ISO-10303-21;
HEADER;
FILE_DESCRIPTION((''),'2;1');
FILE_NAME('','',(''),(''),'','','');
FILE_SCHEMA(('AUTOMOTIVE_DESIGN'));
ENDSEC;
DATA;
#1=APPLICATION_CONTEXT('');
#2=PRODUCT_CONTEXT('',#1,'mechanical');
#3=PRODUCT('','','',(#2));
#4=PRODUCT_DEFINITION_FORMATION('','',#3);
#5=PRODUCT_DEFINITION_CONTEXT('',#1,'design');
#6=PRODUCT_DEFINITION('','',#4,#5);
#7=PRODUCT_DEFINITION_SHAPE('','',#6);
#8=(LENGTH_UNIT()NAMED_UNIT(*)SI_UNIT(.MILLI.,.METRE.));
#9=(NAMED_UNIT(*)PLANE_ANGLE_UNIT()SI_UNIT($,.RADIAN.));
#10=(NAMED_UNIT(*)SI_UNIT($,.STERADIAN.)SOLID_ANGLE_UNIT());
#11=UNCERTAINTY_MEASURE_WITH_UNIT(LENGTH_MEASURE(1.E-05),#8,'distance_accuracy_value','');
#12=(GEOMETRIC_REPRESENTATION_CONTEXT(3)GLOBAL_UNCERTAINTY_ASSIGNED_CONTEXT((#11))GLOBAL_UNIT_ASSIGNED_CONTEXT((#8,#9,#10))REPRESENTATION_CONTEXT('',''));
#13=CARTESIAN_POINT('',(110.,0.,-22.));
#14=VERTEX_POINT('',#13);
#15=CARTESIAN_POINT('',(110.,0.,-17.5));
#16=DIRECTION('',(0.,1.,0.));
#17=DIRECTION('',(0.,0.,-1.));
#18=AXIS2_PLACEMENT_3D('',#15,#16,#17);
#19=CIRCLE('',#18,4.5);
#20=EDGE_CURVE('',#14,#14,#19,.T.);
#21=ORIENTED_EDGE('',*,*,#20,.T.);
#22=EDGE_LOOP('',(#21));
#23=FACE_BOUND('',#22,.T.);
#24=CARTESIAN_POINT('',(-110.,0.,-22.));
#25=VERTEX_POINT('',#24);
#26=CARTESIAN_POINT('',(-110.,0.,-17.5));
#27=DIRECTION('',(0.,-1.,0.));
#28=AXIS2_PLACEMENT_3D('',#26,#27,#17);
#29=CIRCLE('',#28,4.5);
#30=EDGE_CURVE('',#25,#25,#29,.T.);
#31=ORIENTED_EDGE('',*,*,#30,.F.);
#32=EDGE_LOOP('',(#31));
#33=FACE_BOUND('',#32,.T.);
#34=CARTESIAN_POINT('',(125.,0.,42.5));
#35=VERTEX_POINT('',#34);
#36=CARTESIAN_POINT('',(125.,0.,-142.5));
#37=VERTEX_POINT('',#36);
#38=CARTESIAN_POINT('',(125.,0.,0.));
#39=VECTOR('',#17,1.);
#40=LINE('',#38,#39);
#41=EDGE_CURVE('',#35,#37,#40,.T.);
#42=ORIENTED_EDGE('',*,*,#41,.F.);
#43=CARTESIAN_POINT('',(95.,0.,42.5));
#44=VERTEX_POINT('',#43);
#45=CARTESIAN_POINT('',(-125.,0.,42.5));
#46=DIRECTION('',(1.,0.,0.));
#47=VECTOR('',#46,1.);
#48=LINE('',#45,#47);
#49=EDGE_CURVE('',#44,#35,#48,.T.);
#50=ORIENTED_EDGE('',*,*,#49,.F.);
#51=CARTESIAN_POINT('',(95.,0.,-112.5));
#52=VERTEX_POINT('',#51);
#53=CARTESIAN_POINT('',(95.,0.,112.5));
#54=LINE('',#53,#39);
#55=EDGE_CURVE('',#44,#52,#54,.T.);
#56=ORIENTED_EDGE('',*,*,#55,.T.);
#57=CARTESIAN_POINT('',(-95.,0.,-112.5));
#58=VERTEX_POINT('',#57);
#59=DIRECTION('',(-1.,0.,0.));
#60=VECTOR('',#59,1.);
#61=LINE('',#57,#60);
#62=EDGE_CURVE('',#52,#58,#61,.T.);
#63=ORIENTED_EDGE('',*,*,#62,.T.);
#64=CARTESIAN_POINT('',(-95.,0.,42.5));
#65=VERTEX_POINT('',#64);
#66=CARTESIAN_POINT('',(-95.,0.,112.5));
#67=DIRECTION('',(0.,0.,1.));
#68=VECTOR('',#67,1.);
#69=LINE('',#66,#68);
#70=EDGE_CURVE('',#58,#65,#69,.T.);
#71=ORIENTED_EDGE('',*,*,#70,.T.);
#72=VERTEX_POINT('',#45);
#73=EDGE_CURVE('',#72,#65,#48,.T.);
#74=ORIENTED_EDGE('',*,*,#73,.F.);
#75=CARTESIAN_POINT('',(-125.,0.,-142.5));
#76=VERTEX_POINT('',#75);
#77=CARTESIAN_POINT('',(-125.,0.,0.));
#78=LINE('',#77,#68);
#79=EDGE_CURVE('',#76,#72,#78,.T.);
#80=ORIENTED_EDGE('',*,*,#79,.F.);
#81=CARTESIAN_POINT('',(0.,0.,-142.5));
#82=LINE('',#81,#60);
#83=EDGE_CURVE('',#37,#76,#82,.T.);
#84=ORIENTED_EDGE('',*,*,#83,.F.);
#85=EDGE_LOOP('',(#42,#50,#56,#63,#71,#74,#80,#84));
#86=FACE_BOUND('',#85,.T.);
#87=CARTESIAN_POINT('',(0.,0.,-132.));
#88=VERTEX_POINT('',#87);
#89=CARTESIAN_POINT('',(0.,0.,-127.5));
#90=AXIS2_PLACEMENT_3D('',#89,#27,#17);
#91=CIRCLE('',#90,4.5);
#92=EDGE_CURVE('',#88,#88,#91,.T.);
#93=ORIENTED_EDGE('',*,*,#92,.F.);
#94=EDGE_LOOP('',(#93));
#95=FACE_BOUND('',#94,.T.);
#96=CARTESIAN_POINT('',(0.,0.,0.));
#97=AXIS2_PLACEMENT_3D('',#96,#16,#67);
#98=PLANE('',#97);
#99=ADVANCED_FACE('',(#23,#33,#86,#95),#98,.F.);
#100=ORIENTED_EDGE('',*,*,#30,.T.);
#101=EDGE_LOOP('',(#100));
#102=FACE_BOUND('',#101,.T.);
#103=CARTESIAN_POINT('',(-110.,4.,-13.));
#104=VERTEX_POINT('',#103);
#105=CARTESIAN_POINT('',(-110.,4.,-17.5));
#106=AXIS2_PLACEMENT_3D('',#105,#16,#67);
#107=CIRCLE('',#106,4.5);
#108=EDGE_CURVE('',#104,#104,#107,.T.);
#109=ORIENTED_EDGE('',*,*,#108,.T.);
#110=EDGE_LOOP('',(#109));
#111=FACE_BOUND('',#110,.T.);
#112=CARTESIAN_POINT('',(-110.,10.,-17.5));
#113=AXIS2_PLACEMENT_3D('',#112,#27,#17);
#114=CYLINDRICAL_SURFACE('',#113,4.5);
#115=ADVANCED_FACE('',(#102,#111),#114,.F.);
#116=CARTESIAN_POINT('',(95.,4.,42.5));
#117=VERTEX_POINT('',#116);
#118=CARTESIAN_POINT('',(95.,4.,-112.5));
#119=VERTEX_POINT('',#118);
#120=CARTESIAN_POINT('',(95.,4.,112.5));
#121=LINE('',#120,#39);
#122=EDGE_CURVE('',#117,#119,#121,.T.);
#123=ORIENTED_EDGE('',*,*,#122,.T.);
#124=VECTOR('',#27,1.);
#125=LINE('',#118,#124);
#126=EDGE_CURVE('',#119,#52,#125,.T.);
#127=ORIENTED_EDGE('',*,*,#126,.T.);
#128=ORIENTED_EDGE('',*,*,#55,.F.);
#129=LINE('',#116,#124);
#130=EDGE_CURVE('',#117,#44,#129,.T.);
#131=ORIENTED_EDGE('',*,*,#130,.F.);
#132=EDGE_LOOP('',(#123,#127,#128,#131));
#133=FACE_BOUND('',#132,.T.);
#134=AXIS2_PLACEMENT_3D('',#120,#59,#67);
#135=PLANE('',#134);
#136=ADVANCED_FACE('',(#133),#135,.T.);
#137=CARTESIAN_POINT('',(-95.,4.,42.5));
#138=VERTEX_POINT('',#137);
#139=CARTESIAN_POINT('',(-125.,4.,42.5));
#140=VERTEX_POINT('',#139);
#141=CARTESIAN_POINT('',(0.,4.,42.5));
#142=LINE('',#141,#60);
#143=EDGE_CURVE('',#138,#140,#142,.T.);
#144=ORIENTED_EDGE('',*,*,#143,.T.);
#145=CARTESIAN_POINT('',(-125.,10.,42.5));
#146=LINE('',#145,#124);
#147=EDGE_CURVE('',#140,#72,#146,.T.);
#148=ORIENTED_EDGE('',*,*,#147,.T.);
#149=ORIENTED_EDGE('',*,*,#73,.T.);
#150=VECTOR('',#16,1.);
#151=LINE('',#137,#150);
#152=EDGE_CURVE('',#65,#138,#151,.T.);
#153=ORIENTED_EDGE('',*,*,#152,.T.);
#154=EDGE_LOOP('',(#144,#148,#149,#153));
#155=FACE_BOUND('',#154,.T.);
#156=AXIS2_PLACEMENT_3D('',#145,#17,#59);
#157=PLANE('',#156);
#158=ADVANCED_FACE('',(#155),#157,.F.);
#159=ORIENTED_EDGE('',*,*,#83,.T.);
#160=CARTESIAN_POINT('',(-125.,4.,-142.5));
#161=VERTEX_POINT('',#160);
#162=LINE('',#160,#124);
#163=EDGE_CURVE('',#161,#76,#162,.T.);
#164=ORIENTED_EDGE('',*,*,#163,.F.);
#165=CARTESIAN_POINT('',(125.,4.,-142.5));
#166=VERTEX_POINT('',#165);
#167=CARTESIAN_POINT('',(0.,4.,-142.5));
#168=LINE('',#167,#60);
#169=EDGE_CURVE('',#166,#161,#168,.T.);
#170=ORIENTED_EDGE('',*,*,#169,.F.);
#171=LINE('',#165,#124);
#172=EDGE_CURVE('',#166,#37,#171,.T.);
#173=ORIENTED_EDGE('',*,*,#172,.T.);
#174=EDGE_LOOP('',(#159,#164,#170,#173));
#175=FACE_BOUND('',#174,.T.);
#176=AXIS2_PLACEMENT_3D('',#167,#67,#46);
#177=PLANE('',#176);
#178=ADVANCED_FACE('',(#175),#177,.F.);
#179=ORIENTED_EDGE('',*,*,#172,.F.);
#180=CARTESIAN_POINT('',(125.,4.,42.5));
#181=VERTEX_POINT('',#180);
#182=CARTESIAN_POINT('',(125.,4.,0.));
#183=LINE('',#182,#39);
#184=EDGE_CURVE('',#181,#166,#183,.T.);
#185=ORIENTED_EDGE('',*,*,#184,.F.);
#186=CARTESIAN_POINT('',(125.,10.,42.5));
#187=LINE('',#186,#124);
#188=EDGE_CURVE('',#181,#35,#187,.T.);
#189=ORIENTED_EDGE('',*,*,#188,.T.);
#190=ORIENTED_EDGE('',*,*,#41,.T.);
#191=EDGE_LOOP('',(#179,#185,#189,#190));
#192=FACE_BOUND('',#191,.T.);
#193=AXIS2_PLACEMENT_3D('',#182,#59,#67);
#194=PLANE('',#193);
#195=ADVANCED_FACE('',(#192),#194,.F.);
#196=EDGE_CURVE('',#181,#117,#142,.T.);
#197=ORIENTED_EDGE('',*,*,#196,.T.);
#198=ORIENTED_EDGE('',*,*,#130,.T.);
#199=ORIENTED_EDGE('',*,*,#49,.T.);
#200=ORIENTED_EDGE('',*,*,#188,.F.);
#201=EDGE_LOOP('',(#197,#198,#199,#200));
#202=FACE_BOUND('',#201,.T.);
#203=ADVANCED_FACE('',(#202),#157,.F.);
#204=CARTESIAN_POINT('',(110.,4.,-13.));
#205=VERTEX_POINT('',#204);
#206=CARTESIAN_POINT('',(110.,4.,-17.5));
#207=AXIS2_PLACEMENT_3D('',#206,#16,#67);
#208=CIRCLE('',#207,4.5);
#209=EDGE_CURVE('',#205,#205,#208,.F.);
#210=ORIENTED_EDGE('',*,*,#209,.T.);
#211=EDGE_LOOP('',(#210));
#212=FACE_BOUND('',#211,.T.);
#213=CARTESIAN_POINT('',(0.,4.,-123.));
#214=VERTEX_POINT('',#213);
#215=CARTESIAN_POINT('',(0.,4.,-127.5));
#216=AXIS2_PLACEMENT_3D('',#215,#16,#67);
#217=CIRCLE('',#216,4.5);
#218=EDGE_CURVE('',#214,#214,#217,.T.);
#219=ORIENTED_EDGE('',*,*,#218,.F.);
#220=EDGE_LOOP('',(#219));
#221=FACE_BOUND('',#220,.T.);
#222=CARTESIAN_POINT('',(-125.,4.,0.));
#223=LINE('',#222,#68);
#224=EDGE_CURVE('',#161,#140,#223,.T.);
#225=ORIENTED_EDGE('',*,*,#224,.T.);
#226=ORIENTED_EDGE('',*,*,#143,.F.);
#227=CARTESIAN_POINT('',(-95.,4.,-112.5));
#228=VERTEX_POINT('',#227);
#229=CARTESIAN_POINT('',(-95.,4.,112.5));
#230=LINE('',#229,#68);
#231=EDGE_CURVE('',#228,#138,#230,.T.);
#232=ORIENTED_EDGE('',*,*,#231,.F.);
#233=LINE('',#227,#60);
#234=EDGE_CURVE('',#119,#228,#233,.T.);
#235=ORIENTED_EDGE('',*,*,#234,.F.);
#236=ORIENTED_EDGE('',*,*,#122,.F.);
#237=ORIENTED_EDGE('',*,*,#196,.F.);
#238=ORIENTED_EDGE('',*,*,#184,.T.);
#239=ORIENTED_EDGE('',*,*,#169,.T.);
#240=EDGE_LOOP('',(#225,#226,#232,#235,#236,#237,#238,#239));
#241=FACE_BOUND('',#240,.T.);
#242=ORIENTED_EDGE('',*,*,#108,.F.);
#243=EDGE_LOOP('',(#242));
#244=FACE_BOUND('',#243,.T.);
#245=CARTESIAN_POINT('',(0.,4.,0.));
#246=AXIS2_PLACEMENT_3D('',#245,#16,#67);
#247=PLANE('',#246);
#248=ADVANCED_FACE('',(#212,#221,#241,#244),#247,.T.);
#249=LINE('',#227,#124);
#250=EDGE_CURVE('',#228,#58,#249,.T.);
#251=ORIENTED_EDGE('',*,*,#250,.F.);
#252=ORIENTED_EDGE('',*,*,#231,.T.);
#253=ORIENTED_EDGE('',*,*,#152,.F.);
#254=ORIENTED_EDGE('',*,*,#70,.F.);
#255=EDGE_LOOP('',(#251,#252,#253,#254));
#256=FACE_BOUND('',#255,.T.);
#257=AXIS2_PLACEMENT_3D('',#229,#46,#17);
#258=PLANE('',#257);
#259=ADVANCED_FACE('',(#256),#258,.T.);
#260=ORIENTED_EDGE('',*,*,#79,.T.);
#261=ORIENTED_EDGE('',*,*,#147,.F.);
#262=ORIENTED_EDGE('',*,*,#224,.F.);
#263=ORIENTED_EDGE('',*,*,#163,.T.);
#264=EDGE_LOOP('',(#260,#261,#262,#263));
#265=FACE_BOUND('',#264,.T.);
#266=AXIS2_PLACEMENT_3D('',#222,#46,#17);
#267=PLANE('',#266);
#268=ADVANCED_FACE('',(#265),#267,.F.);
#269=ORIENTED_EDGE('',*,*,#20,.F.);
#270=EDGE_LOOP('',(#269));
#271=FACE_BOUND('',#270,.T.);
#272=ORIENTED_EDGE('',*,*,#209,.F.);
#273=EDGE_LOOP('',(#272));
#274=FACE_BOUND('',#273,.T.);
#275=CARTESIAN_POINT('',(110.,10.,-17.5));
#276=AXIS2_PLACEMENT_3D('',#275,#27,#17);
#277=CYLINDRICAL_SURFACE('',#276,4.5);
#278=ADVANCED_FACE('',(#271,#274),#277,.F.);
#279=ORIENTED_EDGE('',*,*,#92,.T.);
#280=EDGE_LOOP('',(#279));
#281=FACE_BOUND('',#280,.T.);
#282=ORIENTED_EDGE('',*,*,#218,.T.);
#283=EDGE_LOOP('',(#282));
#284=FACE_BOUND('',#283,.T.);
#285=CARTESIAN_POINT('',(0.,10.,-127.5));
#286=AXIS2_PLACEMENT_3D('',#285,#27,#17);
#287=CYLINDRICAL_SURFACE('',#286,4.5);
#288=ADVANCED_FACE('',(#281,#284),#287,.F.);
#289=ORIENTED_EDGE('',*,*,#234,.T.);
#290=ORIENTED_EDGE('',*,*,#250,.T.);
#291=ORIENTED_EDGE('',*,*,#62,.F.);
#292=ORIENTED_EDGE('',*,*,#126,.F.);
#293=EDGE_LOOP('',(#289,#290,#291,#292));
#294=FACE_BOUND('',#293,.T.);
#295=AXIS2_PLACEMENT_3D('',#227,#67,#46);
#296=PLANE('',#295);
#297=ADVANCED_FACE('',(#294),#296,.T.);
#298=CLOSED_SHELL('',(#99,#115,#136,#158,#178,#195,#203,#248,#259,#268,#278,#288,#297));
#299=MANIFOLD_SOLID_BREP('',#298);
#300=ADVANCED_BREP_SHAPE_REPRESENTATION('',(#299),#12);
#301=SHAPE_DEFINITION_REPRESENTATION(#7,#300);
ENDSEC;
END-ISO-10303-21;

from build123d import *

# Parameters (mm, degrees)
SKETCH1_W            = 250
SKETCH1_H            = 285
SKETCH1_W_2          = 190
SKETCH1_H_2          = 225
EXTRUDE_THIN1_DEPTH  = 4
SKETCH2_W            = 250
SKETCH2_H            = 100
CUT_EXTRUDE1_DEPTH   = 10
SKETCH3_R            = 4.5
CUT_EXTRUDE2_DEPTH   = 10
LPATTERN1_COUNT      = 2
LPATTERN1_PITCH      = 144.5
LPATTERN1_COUNT_DIR2 = 2
LPATTERN1_PITCH_DIR2 = 144.5
SKETCH4_R            = 4.5
CUT_EXTRUDE3_DEPTH   = 10


with BuildPart() as part:
    # Sketch1 → Extrude-Thin1 (new body)
    with BuildSketch(Plane(origin=(0, 0, 0), x_dir=(1, 0, 0), z_dir=(0, 1, 0))):
        Rectangle(SKETCH1_W, SKETCH1_H)
        Rectangle(SKETCH1_W_2, SKETCH1_H_2, mode=Mode.SUBTRACT)
    extrude(amount=EXTRUDE_THIN1_DEPTH)

    # Sketch2 → Cut-Extrude1 (cut)
    with BuildSketch(Plane.XZ):
        with Locations((0, 92.5)):
            Rectangle(SKETCH2_W, SKETCH2_H)
    extrude(amount=-CUT_EXTRUDE1_DEPTH, mode=Mode.SUBTRACT)

    # Sketch3 → Cut-Extrude2 (cut)
    with BuildSketch(Plane.XZ):
        with Locations(Location((0, -127.5, 0), (0, 0, 270))):
            Circle(SKETCH3_R)
    cut_extrude2 = extrude(amount=-CUT_EXTRUDE2_DEPTH, mode=Mode.SUBTRACT)

    # LPattern1: Cut-Extrude2 2 × 2
    with Locations(*[Vector(-1, 0, 0) * (i * LPATTERN1_PITCH) + Vector(-1, 0, 0) * (j * LPATTERN1_PITCH_DIR2) for i in range(LPATTERN1_COUNT) for j in range(LPATTERN1_COUNT_DIR2) if (i, j) != (0, 0)]):
        add(cut_extrude2, mode=Mode.SUBTRACT)

    # Sketch4 → Cut-Extrude3 (cut)
    with BuildSketch(Plane(origin=(0, 0, 0), x_dir=(-1, 0, 0), z_dir=(0, -1, 0))):
        with Locations(Location((110, 17.5, 0), (0, 0, 90))):
            Circle(SKETCH4_R)
    cut_extrude3 = extrude(amount=-CUT_EXTRUDE3_DEPTH, mode=Mode.SUBTRACT)

    # Mirror1: Cut-Extrude3 across plane
    add(cut_extrude3.mirror(Plane(origin=(0, 0, 0), x_dir=(0, 0, 1), z_dir=(1, 0, 0))), mode=Mode.SUBTRACT)


solid = part.part
